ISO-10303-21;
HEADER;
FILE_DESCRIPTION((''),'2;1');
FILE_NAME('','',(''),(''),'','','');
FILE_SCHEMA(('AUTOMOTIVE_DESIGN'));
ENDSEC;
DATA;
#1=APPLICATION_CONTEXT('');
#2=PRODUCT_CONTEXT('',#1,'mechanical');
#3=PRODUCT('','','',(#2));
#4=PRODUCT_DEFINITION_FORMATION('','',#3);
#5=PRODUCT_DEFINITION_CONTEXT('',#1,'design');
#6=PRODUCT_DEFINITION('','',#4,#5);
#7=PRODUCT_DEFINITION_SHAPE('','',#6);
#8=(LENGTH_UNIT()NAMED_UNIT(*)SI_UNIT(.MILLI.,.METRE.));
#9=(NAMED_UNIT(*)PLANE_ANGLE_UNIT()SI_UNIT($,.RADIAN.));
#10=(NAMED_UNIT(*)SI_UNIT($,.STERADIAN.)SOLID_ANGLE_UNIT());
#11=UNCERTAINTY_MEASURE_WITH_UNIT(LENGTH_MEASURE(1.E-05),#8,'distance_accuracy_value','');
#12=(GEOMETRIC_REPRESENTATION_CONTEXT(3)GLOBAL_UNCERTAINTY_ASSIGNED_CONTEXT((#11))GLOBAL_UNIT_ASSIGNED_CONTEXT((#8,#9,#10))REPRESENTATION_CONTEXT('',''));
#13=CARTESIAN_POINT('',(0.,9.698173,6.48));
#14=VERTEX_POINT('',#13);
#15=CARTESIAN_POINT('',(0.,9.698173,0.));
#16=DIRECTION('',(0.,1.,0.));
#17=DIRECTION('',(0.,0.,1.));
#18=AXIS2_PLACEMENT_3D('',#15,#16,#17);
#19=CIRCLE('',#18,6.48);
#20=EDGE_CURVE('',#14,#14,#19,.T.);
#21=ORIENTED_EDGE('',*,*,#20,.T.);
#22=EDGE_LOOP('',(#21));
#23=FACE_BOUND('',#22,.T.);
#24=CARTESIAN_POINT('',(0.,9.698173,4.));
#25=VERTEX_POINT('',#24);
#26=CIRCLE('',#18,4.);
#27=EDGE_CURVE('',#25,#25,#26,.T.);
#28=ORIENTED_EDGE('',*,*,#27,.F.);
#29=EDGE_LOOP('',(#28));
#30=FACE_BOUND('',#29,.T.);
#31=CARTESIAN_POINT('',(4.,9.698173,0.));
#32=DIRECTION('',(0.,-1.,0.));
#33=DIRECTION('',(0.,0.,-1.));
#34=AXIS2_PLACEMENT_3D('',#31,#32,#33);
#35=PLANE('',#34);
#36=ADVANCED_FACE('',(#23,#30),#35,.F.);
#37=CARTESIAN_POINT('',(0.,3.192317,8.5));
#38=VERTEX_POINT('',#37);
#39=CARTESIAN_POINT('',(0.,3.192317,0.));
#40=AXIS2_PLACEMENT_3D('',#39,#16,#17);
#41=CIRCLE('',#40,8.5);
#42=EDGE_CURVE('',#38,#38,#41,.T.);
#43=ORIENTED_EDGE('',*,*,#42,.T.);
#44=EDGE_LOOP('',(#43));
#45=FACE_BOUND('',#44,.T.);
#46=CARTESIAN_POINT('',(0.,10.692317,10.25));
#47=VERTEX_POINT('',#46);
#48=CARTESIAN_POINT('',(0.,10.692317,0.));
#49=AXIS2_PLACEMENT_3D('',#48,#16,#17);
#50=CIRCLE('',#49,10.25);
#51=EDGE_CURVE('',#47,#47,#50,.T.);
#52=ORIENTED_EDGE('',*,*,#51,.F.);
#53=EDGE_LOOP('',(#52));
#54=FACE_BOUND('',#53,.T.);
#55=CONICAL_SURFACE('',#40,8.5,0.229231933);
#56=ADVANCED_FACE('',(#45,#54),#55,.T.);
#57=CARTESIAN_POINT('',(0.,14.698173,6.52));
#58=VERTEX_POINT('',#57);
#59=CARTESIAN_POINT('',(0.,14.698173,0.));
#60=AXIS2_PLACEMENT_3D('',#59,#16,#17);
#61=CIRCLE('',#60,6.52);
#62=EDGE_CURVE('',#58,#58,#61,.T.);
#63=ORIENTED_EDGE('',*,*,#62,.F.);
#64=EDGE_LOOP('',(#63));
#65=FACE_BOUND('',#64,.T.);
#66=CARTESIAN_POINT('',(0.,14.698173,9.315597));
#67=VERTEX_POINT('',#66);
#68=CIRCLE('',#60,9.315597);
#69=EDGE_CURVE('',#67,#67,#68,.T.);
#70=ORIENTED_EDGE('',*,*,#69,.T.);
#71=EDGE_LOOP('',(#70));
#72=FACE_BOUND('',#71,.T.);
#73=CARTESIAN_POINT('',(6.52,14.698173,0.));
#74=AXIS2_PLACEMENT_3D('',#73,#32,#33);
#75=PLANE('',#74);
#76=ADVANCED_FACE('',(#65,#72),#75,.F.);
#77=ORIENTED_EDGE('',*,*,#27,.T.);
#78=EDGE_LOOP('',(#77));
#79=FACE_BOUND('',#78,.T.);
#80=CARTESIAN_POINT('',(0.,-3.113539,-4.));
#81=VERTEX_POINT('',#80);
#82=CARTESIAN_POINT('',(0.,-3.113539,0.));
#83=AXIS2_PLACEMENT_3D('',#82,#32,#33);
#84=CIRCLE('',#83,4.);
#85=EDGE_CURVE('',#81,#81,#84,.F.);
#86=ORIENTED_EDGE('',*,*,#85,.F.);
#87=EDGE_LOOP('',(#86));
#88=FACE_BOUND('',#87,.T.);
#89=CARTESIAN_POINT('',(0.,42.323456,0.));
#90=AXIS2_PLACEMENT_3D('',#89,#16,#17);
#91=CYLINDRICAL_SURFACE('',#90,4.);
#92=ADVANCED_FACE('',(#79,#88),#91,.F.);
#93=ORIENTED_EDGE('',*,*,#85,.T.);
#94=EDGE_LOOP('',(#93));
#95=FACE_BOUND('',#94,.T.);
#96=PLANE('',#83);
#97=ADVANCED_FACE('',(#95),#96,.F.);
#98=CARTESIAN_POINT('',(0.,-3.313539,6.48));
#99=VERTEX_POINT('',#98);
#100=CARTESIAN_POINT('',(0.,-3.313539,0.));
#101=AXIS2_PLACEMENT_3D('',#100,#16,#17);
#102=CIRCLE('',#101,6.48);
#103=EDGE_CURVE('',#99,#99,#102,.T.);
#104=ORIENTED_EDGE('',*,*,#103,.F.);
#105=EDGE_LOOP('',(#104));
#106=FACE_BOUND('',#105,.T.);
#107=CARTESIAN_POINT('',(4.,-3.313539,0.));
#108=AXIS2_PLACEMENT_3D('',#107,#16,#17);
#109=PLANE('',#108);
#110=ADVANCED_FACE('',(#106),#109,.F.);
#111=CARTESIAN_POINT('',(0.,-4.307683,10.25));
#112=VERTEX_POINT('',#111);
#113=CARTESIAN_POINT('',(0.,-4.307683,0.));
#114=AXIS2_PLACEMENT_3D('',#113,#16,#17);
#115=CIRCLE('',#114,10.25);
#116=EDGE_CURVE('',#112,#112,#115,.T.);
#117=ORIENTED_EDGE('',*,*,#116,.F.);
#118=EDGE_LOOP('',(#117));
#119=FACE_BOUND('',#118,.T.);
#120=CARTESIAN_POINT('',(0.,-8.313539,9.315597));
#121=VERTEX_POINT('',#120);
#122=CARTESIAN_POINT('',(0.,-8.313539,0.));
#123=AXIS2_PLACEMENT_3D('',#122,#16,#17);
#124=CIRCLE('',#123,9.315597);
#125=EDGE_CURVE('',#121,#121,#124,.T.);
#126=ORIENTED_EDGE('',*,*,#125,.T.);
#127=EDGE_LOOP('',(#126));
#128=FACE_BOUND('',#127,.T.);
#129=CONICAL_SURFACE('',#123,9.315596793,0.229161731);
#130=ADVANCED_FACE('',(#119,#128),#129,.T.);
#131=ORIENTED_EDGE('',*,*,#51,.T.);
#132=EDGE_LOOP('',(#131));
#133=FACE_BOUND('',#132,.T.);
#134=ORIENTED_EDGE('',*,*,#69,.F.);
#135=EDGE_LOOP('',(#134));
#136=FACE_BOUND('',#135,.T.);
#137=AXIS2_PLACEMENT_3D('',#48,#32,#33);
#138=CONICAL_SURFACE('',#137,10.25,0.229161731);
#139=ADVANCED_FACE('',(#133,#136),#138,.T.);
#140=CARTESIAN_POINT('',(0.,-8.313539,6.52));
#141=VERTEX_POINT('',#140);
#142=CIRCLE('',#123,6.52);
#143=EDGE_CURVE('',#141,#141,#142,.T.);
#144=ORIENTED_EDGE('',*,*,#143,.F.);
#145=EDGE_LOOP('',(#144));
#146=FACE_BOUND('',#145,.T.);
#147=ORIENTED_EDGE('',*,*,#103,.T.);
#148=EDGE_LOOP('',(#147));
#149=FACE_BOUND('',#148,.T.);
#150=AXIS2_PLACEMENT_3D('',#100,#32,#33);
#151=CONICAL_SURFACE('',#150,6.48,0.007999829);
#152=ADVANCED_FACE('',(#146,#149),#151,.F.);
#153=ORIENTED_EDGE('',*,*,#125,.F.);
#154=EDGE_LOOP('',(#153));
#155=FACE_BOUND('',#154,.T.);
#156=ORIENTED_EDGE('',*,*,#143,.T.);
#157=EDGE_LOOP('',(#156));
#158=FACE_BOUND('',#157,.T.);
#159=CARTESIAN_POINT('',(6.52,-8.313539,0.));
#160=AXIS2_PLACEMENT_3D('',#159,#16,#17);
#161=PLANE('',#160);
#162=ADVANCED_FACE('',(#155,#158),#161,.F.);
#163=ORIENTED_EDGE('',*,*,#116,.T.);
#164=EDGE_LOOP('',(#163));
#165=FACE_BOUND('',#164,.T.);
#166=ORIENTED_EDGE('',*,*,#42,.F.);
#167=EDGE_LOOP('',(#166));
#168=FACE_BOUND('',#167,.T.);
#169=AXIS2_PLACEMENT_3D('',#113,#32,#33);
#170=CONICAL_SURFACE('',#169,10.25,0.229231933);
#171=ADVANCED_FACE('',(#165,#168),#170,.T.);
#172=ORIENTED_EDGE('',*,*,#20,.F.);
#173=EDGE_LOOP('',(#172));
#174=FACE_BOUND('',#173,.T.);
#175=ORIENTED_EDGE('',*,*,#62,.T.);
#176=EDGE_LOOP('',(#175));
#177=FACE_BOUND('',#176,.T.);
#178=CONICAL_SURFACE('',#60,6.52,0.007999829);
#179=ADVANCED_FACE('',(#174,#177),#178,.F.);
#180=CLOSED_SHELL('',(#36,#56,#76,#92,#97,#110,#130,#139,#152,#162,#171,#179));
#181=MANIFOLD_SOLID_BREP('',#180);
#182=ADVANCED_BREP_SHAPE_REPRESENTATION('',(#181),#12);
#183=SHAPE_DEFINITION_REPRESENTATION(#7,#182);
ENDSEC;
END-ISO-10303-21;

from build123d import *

# Parameters (mm, degrees)
SKETCH2_R           = 4
BOSS_EXTRUDE1_DEPTH = 0.2


with BuildPart() as part:
    # Sketch1 → Revolve1 (revolve)
    with BuildSketch(Plane.XY):
        Polygon((4, -3.313539221), (4, 9.698172784), (6.48, 9.698172784), (6.52, 14.698172784), (9.315596793, 14.698172784), (10.25, 10.692316782), (8.5, 3.192316782), (10.25, -4.307683218), (9.315596793, -8.313539221), (6.52, -8.313539221), (6.48, -3.313539221), align=None)
    revolve(axis=Axis((0, 42.323455848, 0), (0, -1, 0)))

    # Sketch2 → Boss-Extrude1 (add)
    with BuildSketch(Plane.XZ.offset(3.313539221)):
        Circle(SKETCH2_R)
    extrude(amount=-BOSS_EXTRUDE1_DEPTH)


solid = part.part
